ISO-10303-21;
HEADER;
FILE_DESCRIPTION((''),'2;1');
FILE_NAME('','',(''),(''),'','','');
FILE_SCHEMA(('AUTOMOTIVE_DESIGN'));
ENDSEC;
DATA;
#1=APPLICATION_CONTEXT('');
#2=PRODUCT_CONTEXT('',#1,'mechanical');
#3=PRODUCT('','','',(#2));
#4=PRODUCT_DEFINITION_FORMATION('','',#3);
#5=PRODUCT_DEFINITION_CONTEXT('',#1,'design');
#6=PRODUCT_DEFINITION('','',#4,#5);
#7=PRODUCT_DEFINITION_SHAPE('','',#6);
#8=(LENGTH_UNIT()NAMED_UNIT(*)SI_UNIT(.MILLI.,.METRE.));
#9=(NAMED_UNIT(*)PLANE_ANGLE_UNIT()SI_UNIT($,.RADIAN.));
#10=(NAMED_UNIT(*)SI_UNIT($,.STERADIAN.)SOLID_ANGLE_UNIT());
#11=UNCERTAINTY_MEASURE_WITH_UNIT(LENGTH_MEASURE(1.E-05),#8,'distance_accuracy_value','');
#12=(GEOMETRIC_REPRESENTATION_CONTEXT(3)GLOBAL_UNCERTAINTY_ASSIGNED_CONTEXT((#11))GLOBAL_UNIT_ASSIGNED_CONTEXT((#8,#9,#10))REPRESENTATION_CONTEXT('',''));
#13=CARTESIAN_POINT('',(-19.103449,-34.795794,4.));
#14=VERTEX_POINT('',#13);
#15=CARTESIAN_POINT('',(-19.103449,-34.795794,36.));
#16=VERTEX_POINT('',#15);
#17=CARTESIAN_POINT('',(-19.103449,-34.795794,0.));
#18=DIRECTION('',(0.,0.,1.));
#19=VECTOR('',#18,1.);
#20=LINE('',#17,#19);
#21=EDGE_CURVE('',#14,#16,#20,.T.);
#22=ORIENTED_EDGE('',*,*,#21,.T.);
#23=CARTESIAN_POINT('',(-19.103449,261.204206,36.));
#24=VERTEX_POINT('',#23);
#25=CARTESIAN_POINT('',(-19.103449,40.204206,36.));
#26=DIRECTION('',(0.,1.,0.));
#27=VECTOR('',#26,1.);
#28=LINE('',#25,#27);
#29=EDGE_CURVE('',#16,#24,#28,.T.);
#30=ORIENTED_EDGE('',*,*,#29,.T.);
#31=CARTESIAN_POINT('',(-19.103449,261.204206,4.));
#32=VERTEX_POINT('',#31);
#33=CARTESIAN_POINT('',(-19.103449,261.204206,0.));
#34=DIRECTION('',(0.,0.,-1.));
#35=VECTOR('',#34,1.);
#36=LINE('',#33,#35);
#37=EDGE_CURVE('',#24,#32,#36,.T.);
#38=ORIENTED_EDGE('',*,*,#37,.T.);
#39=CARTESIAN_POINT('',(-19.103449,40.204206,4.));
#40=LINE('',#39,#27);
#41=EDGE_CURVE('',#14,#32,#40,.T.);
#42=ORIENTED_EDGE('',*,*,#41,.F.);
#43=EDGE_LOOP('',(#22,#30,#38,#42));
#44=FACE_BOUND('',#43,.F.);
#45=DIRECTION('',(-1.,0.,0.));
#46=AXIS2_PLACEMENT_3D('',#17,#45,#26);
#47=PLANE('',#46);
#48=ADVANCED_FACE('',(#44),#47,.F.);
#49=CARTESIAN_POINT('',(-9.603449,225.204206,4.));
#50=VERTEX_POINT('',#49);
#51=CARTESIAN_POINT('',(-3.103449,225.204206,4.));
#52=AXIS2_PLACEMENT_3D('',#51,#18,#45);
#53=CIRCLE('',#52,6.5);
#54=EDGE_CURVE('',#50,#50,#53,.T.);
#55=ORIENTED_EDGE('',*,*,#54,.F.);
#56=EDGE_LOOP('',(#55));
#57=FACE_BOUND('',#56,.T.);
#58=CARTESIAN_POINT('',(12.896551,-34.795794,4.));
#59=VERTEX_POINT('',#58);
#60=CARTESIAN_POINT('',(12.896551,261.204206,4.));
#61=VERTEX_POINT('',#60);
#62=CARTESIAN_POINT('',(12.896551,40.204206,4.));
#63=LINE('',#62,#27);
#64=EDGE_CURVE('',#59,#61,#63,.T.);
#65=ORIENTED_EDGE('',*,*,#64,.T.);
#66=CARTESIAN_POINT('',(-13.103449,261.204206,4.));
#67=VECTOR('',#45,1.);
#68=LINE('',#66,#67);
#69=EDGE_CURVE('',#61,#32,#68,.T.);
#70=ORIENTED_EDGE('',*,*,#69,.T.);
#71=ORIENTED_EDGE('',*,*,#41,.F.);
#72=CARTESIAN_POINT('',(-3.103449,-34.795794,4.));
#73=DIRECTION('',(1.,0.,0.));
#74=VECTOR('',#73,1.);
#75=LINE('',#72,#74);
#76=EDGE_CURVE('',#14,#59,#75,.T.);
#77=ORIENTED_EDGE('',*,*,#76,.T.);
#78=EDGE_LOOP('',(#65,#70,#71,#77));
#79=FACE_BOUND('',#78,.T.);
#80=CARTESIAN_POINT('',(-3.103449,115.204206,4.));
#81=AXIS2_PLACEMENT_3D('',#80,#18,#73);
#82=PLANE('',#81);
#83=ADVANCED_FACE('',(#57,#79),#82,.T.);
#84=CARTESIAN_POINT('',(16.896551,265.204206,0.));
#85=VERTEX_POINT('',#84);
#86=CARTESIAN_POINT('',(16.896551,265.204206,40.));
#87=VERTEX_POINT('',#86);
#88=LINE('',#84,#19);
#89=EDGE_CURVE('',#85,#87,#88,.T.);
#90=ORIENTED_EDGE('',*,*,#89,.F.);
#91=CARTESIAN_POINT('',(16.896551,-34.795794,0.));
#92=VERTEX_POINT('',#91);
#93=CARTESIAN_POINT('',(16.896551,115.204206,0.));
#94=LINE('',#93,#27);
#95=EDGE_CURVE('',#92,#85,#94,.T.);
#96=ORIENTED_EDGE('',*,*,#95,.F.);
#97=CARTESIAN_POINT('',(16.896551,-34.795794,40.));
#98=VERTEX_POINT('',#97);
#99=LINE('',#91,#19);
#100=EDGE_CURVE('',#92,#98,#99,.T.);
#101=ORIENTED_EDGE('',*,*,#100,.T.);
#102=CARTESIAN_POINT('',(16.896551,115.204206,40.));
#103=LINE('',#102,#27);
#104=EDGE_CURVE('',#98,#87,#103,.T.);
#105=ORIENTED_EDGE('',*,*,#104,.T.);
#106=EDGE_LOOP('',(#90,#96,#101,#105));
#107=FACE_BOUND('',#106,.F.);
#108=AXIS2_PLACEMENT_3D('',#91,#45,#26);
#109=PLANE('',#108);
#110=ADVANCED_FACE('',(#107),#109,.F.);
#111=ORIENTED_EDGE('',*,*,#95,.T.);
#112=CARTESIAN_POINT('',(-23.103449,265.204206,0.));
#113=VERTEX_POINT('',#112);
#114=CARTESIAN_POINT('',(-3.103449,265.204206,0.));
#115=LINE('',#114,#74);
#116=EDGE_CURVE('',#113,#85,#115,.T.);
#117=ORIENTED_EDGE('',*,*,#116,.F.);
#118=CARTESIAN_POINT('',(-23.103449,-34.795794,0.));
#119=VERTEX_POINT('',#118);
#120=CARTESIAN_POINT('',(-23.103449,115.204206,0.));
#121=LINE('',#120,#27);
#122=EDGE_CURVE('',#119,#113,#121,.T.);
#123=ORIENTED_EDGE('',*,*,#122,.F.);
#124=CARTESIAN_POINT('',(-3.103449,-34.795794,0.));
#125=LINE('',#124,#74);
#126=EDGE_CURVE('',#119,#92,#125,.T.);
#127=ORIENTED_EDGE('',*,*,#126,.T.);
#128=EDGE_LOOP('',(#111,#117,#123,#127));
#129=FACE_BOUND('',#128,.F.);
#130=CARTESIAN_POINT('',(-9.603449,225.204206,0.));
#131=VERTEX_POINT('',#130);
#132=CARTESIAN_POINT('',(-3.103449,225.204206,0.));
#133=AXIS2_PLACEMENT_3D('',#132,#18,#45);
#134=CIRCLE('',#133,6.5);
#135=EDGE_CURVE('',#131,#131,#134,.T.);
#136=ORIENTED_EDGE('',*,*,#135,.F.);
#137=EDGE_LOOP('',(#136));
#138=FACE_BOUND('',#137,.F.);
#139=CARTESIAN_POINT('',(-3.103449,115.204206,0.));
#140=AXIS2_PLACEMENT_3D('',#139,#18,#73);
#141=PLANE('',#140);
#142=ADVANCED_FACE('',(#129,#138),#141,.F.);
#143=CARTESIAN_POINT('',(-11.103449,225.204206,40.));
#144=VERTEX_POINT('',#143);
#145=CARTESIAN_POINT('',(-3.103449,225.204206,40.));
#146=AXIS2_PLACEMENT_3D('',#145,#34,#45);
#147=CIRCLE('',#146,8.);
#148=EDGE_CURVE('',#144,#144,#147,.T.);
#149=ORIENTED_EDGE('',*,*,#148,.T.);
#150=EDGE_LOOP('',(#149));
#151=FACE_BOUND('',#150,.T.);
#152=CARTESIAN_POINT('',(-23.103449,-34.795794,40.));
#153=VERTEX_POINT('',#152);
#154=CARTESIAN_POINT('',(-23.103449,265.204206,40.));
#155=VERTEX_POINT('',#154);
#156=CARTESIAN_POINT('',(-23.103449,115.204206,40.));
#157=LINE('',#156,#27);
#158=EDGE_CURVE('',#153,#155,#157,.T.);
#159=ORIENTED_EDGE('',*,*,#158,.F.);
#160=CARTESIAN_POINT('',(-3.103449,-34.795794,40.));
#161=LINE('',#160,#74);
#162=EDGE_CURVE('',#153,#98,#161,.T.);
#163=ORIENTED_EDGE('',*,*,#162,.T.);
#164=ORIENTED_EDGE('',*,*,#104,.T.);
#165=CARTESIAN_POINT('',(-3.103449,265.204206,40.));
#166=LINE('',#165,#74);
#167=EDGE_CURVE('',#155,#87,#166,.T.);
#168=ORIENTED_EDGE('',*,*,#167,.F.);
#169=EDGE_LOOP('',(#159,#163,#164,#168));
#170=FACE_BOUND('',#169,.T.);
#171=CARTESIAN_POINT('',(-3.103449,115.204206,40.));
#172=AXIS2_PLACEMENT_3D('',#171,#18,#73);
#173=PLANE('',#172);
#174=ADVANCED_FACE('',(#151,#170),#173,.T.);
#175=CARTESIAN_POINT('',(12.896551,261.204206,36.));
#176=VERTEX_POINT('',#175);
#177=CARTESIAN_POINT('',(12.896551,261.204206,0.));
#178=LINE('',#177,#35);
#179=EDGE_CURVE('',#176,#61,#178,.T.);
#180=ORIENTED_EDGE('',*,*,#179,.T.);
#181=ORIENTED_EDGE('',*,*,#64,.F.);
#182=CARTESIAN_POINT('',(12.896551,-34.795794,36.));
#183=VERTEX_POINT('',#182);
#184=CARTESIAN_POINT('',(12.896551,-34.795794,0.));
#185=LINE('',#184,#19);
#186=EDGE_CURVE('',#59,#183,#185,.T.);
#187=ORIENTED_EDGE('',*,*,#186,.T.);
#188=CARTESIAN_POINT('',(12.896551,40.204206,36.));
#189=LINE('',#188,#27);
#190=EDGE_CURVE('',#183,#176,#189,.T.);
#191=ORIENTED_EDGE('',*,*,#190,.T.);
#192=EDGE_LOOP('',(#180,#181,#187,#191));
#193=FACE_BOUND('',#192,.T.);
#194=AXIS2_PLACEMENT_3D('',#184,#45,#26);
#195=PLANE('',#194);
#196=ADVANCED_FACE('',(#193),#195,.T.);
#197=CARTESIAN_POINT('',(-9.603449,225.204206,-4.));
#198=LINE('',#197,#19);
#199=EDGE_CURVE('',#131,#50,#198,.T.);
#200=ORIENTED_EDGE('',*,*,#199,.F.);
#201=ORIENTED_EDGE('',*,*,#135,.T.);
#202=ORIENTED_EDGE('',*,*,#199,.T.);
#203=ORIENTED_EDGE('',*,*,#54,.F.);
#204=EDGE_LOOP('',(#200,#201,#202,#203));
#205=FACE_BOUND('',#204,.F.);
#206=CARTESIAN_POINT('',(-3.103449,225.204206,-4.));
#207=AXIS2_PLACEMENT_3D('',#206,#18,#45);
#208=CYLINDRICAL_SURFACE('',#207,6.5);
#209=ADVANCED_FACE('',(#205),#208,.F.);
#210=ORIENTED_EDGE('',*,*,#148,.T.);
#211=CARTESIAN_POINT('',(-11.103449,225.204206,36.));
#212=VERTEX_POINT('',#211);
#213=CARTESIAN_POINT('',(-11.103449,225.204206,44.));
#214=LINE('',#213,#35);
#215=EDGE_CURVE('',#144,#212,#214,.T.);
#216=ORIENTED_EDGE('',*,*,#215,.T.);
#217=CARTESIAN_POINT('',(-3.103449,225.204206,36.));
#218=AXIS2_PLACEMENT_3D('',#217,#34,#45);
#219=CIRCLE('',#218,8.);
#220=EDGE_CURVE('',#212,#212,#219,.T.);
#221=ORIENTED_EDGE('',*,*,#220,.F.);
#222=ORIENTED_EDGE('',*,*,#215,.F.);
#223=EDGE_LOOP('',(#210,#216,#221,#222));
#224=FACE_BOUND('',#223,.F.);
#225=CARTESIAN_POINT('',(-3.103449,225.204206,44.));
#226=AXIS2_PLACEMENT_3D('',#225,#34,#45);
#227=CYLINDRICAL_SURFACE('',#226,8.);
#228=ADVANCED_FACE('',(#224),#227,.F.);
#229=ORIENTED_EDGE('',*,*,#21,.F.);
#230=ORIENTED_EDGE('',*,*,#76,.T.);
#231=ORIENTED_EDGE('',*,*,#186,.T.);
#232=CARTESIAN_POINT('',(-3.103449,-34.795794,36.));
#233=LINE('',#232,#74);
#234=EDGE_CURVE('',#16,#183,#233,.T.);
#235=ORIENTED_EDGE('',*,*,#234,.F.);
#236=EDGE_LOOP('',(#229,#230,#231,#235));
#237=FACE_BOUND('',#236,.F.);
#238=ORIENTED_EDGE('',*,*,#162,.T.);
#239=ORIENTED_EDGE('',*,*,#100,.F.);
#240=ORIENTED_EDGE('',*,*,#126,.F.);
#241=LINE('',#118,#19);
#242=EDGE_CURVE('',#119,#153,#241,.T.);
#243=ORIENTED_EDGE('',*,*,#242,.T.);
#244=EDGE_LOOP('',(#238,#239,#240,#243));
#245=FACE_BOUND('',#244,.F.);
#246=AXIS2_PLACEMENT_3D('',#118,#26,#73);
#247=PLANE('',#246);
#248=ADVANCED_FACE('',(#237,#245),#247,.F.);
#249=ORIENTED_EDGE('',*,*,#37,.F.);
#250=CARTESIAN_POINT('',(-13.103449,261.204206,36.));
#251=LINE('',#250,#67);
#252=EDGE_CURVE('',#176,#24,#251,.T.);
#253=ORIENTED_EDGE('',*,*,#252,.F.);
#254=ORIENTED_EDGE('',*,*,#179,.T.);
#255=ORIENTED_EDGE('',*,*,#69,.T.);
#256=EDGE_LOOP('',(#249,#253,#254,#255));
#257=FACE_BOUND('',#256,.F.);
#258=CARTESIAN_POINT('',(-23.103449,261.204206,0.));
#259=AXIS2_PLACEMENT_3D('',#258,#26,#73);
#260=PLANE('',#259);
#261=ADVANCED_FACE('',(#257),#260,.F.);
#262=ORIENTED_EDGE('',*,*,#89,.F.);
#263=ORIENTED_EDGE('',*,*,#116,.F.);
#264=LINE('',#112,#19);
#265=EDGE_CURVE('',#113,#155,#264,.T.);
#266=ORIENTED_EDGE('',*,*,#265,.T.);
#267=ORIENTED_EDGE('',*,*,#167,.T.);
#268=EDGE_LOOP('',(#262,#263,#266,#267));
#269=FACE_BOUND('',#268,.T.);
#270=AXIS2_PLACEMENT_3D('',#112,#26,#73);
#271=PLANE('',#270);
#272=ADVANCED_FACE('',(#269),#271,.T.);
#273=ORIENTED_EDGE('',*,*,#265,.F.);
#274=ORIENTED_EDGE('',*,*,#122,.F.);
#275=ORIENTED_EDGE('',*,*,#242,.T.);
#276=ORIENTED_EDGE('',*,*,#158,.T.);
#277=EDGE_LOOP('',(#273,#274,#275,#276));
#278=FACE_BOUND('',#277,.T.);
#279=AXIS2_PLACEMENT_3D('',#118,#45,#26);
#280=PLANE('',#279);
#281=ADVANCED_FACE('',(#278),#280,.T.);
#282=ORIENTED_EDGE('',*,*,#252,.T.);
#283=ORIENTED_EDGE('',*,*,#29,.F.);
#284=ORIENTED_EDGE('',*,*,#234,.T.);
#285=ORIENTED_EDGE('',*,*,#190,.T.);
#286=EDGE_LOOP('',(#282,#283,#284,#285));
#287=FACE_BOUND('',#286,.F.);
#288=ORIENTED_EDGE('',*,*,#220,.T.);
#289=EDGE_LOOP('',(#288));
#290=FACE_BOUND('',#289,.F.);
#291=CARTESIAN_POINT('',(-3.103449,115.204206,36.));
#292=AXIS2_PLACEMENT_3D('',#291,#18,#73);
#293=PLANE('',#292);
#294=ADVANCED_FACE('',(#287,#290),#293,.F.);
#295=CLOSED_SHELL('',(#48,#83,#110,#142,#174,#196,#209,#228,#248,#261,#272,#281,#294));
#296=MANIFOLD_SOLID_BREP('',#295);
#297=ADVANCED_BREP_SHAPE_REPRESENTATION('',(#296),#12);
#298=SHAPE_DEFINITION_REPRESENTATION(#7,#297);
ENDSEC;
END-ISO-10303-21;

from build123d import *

# Parameters (mm, degrees)
F0_W     = 40
F0_H     = 300
F1_DEPTH = 40
F2_T     = -4
F4_D     = 16
F4_DEPTH = 4
F6_D     = 13
F6_DEPTH = 4


with BuildPart() as f1:
    # F0 (on Top) → F1 (new body)
    with BuildSketch(Plane.XY):
        with Locations((-3.103449, 115.204206)):
            Rectangle(F0_W, F0_H)
    extrude(amount=F1_DEPTH)

    # F2
    f2_openings = [f1.faces().sort_by_distance(p)[0] for p in [
        (-3.103449, -34.795794, 20),
    ]]
    offset(amount=F2_T, openings=f2_openings)

    # F4
    with Locations(Plane.XY.offset(40)):
        with Locations((-3.103449, 225.204206)):
            Hole(F4_D / 2, depth=F4_DEPTH)

    # F6
    with Locations(Plane(origin=(0, 0, 0), x_dir=(1, 0, 0), z_dir=(0, 0, -1))):
        with Locations((-3.103449, -225.204206)):
            Hole(F6_D / 2, depth=F6_DEPTH)


solid = f1.part
